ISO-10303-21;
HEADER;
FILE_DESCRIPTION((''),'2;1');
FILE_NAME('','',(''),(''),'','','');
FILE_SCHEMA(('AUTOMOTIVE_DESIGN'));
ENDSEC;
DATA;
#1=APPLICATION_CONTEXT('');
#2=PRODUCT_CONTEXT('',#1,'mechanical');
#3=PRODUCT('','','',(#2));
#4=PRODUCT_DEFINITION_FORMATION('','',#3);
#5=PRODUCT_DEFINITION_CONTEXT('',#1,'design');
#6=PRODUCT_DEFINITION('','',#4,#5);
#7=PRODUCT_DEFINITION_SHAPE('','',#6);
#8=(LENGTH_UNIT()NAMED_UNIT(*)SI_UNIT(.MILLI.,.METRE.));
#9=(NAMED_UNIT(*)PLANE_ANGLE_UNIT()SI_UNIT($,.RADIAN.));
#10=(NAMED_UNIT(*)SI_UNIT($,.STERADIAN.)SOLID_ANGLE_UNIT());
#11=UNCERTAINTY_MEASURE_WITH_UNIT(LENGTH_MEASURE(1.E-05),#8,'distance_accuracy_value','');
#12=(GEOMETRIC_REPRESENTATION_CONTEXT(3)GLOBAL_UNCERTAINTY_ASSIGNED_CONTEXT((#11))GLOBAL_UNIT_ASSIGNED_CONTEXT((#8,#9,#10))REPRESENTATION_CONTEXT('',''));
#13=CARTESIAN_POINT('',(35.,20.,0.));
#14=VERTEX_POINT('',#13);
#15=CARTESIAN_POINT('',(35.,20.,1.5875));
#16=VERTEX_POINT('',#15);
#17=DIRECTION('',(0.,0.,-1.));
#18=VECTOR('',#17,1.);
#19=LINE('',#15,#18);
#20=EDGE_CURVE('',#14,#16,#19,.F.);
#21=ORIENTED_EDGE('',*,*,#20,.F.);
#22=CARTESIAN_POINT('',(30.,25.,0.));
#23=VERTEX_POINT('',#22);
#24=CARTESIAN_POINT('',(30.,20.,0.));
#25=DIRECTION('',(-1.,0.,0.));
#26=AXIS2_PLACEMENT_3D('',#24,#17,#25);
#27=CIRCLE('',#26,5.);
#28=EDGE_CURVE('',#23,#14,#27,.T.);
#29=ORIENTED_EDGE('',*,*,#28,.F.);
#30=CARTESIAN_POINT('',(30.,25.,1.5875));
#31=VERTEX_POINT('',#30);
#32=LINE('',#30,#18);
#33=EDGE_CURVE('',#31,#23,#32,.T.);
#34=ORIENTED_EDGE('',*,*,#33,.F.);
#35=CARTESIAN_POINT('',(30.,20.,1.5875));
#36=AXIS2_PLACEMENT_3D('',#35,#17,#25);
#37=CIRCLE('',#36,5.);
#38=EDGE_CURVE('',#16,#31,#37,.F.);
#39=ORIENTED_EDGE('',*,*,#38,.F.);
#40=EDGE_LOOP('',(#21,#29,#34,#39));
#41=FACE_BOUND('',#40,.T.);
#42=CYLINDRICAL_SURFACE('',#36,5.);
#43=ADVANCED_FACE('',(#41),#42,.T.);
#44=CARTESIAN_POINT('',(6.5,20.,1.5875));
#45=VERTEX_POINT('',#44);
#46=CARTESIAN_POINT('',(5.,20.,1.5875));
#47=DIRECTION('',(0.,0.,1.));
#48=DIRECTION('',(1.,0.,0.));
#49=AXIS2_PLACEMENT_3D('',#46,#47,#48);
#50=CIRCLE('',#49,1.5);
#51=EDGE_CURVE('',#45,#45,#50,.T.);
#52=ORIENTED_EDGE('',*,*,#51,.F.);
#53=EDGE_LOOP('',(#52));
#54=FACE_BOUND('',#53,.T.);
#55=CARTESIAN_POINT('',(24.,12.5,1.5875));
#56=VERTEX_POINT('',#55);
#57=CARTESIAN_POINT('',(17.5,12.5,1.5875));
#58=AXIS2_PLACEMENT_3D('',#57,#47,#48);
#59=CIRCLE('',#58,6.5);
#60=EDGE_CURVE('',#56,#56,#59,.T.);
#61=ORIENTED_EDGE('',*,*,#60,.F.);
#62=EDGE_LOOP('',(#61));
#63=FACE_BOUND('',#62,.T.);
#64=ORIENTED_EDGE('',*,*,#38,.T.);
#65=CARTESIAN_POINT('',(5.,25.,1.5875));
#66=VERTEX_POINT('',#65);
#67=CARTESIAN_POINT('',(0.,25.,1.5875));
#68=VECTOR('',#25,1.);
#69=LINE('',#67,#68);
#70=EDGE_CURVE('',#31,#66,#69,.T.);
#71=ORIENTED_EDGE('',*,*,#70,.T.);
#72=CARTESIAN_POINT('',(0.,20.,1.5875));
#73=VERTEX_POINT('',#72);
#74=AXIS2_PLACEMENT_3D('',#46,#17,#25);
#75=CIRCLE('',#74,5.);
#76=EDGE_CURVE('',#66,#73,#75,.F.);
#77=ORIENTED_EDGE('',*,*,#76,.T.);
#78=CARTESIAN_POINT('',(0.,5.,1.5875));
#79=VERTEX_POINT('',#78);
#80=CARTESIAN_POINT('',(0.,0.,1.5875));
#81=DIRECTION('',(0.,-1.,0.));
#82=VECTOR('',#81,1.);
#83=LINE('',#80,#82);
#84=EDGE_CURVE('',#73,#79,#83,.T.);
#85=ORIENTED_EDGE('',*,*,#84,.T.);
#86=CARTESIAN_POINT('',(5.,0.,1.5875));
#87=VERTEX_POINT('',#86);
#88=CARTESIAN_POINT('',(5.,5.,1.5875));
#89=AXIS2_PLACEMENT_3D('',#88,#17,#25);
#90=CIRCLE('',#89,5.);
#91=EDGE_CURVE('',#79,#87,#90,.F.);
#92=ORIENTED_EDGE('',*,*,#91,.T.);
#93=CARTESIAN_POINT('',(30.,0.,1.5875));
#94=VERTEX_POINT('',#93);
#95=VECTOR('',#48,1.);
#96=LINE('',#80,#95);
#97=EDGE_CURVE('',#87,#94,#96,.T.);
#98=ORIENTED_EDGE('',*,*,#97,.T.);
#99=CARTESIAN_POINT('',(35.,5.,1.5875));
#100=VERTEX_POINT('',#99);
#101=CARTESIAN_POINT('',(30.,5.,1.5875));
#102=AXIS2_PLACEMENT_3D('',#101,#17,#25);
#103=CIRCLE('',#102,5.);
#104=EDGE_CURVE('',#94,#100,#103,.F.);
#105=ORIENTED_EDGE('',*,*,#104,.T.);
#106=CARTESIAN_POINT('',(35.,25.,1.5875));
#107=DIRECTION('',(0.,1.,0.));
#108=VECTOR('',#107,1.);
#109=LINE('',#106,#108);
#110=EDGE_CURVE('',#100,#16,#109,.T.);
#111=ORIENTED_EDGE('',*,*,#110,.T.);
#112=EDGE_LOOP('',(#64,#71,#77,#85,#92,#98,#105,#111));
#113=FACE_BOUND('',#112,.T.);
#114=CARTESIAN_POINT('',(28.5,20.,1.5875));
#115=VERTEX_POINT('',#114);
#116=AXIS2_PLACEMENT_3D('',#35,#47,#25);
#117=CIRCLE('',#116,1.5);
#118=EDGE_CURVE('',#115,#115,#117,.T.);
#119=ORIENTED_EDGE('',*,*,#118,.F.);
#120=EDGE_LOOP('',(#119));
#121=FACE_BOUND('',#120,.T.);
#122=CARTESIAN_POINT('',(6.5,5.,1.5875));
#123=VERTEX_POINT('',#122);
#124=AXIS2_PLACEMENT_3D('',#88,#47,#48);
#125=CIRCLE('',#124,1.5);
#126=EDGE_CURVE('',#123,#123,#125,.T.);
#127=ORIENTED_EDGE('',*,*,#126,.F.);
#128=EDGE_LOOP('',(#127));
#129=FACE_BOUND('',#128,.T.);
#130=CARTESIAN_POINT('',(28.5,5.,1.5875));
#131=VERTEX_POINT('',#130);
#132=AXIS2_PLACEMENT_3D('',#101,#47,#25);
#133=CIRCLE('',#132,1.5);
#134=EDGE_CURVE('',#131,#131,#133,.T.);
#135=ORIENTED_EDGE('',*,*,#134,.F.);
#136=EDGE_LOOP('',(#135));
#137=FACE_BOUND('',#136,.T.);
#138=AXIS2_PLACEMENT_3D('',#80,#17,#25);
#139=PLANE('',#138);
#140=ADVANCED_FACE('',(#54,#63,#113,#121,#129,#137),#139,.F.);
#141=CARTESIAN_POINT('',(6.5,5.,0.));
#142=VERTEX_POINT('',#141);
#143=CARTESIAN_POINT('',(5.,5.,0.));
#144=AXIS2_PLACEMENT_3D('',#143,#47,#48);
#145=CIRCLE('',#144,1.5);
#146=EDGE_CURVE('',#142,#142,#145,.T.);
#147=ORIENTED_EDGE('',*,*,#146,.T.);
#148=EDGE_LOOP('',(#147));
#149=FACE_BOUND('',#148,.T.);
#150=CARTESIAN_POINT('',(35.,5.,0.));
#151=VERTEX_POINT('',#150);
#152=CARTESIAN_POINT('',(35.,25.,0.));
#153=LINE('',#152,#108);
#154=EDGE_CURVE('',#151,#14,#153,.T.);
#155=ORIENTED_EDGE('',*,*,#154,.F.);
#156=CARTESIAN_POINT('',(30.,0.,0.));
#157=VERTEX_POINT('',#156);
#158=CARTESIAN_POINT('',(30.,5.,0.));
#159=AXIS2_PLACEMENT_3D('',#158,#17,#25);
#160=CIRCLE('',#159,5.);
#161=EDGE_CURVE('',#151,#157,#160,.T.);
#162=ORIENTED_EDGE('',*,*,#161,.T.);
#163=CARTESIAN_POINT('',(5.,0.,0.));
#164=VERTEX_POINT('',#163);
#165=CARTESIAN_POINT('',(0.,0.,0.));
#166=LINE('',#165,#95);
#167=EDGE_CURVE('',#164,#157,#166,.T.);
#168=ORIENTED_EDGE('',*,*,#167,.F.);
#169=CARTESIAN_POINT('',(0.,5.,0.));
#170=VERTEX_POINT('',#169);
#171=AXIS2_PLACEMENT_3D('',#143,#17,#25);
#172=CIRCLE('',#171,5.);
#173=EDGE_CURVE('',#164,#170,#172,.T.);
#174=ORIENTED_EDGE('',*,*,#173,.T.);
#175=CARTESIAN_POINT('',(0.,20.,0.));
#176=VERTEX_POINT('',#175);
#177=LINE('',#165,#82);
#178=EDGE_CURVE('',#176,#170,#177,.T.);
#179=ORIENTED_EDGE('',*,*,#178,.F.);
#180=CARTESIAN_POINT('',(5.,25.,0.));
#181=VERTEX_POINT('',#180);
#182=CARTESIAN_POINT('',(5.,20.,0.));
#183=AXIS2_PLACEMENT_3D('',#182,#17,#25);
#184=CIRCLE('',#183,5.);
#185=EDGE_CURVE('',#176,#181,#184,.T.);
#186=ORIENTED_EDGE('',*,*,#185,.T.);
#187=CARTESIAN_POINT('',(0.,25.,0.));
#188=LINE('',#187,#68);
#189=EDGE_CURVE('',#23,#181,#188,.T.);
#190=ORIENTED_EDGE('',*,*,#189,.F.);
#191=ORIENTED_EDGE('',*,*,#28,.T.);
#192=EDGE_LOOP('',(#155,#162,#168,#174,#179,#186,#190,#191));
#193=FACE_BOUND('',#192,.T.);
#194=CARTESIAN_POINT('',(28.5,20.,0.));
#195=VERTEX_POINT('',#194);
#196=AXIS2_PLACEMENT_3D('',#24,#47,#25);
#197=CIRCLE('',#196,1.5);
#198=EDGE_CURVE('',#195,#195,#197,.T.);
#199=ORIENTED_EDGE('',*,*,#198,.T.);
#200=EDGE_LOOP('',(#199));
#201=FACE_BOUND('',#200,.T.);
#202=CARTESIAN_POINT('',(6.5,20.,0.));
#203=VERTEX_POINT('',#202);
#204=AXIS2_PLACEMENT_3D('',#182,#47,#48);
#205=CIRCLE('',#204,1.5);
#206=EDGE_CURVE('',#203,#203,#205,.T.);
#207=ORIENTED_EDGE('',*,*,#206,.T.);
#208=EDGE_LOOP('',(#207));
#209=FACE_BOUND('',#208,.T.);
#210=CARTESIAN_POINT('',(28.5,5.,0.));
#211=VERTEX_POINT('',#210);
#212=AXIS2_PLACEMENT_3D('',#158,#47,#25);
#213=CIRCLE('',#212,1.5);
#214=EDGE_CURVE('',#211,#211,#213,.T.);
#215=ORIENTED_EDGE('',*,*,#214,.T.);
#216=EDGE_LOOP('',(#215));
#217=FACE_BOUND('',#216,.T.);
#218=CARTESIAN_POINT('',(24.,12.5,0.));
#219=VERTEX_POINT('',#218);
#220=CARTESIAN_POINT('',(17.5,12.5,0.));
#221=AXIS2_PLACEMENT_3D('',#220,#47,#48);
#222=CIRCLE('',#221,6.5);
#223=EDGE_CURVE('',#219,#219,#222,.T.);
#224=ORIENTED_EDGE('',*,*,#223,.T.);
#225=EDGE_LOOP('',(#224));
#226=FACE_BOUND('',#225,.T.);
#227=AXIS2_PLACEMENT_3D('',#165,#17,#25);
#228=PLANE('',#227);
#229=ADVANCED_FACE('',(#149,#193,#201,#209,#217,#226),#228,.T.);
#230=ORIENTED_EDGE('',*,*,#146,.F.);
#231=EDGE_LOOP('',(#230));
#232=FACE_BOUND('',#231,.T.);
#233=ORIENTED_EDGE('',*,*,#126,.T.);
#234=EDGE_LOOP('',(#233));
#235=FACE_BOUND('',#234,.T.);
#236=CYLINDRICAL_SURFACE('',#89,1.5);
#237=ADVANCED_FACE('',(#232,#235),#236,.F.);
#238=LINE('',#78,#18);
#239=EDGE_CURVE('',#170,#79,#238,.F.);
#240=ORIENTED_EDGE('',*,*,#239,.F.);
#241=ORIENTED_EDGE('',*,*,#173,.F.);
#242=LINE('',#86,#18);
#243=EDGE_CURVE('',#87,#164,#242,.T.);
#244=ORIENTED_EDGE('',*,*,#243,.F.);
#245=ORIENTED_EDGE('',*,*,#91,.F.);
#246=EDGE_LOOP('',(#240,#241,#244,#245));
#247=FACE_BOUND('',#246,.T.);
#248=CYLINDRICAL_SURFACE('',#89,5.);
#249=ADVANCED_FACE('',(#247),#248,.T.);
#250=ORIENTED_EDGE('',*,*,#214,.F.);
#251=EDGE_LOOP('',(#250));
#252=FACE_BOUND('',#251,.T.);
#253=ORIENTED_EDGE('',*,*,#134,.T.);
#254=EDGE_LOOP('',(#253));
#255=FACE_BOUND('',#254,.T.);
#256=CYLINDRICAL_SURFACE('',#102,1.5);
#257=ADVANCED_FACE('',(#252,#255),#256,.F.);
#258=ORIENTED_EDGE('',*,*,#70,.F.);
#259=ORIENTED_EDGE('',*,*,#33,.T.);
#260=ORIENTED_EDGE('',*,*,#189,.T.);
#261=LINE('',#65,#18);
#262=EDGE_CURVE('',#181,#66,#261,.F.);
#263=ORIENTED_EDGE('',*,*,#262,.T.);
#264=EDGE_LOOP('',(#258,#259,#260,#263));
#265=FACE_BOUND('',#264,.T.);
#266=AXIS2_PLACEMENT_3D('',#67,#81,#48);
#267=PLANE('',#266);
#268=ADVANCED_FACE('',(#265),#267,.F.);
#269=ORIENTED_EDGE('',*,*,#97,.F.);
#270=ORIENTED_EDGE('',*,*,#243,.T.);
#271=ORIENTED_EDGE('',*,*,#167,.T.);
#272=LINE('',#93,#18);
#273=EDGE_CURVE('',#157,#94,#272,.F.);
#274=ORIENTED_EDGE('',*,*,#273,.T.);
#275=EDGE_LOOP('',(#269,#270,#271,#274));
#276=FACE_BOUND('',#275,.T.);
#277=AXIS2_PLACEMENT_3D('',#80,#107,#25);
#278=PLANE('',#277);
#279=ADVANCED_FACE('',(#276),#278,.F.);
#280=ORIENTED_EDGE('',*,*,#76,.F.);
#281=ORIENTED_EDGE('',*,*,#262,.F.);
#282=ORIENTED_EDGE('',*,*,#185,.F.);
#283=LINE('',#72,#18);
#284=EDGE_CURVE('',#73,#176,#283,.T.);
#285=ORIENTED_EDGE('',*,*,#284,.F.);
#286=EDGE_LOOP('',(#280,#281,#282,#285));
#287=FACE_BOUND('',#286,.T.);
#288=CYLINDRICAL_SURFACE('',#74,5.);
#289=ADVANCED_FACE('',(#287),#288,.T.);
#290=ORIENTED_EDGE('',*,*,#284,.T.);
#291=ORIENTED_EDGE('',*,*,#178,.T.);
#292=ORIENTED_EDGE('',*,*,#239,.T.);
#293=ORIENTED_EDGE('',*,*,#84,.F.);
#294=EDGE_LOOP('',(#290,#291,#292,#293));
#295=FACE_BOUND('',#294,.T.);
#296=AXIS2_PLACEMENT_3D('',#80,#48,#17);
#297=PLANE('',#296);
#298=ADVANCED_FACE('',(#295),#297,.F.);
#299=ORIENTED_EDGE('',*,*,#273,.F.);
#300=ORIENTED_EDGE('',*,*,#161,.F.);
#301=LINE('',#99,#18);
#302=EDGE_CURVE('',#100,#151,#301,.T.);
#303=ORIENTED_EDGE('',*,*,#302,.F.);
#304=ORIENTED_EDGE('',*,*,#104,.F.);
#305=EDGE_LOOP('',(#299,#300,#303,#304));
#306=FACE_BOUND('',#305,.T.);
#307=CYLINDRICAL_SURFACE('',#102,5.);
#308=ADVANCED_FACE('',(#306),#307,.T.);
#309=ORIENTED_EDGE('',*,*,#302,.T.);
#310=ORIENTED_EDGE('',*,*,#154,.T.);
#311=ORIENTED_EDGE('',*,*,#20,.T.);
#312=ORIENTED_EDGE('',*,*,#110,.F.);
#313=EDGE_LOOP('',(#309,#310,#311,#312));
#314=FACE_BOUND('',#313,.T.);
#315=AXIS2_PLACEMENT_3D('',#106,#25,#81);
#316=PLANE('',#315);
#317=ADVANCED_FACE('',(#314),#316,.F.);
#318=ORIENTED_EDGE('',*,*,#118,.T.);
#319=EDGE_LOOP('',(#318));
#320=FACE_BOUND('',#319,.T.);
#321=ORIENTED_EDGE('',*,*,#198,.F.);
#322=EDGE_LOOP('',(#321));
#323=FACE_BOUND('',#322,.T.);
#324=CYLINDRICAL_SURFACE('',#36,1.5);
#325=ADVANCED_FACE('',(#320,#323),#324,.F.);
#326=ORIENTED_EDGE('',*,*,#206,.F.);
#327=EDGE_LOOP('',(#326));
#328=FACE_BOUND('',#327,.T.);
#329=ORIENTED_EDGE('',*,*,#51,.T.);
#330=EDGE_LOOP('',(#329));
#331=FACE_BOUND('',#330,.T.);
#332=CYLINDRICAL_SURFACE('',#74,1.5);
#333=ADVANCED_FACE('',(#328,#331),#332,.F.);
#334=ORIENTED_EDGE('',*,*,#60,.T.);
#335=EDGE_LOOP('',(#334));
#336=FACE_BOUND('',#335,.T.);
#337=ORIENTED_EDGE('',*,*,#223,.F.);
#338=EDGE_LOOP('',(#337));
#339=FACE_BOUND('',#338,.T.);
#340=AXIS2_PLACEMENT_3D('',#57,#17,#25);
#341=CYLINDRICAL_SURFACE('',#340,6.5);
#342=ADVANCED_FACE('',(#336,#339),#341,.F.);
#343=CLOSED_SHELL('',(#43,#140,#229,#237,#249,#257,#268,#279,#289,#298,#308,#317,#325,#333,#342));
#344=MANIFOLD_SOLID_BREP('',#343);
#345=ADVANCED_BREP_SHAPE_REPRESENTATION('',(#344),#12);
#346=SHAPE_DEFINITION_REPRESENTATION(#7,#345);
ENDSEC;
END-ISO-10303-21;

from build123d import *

# Parameters (mm, degrees)
SKETCH1_W           = 35
SKETCH1_H           = 25
SKETCH1_R           = 6.5
SKETCH1_R_2         = 1.5
BOSS_EXTRUDE1_DEPTH = 1.5875
FILLET1_R           = 5


with BuildPart() as part:
    # Sketch1 → Boss-Extrude1 (new body)
    with BuildSketch(Plane.XY):
        with Locations((17.5, 12.5)):
            Rectangle(SKETCH1_W, SKETCH1_H)
        with Locations((17.5, 12.5)):
            Circle(SKETCH1_R, mode=Mode.SUBTRACT)
        with Locations((5, 20)):
            Circle(SKETCH1_R_2, mode=Mode.SUBTRACT)
        with Locations((5, 5)):
            Circle(SKETCH1_R_2, mode=Mode.SUBTRACT)
        with Locations(Location((30, 5, 0), (0, 0, 180))):
            Circle(SKETCH1_R_2, mode=Mode.SUBTRACT)
        with Locations(Location((30, 20, 0), (0, 0, 180))):
            Circle(SKETCH1_R_2, mode=Mode.SUBTRACT)
    extrude(amount=BOSS_EXTRUDE1_DEPTH)

    # Fillet1
    fillet1_edges = [part.edges().sort_by_distance(p)[0] for p in [
        (0, 0, 0.79375),
        (0, 25, 0.79375),
        (35, 25, 0.79375),
        (35, 0, 0.79375),
    ]]
    fillet(fillet1_edges, radius=FILLET1_R)


solid = part.part
